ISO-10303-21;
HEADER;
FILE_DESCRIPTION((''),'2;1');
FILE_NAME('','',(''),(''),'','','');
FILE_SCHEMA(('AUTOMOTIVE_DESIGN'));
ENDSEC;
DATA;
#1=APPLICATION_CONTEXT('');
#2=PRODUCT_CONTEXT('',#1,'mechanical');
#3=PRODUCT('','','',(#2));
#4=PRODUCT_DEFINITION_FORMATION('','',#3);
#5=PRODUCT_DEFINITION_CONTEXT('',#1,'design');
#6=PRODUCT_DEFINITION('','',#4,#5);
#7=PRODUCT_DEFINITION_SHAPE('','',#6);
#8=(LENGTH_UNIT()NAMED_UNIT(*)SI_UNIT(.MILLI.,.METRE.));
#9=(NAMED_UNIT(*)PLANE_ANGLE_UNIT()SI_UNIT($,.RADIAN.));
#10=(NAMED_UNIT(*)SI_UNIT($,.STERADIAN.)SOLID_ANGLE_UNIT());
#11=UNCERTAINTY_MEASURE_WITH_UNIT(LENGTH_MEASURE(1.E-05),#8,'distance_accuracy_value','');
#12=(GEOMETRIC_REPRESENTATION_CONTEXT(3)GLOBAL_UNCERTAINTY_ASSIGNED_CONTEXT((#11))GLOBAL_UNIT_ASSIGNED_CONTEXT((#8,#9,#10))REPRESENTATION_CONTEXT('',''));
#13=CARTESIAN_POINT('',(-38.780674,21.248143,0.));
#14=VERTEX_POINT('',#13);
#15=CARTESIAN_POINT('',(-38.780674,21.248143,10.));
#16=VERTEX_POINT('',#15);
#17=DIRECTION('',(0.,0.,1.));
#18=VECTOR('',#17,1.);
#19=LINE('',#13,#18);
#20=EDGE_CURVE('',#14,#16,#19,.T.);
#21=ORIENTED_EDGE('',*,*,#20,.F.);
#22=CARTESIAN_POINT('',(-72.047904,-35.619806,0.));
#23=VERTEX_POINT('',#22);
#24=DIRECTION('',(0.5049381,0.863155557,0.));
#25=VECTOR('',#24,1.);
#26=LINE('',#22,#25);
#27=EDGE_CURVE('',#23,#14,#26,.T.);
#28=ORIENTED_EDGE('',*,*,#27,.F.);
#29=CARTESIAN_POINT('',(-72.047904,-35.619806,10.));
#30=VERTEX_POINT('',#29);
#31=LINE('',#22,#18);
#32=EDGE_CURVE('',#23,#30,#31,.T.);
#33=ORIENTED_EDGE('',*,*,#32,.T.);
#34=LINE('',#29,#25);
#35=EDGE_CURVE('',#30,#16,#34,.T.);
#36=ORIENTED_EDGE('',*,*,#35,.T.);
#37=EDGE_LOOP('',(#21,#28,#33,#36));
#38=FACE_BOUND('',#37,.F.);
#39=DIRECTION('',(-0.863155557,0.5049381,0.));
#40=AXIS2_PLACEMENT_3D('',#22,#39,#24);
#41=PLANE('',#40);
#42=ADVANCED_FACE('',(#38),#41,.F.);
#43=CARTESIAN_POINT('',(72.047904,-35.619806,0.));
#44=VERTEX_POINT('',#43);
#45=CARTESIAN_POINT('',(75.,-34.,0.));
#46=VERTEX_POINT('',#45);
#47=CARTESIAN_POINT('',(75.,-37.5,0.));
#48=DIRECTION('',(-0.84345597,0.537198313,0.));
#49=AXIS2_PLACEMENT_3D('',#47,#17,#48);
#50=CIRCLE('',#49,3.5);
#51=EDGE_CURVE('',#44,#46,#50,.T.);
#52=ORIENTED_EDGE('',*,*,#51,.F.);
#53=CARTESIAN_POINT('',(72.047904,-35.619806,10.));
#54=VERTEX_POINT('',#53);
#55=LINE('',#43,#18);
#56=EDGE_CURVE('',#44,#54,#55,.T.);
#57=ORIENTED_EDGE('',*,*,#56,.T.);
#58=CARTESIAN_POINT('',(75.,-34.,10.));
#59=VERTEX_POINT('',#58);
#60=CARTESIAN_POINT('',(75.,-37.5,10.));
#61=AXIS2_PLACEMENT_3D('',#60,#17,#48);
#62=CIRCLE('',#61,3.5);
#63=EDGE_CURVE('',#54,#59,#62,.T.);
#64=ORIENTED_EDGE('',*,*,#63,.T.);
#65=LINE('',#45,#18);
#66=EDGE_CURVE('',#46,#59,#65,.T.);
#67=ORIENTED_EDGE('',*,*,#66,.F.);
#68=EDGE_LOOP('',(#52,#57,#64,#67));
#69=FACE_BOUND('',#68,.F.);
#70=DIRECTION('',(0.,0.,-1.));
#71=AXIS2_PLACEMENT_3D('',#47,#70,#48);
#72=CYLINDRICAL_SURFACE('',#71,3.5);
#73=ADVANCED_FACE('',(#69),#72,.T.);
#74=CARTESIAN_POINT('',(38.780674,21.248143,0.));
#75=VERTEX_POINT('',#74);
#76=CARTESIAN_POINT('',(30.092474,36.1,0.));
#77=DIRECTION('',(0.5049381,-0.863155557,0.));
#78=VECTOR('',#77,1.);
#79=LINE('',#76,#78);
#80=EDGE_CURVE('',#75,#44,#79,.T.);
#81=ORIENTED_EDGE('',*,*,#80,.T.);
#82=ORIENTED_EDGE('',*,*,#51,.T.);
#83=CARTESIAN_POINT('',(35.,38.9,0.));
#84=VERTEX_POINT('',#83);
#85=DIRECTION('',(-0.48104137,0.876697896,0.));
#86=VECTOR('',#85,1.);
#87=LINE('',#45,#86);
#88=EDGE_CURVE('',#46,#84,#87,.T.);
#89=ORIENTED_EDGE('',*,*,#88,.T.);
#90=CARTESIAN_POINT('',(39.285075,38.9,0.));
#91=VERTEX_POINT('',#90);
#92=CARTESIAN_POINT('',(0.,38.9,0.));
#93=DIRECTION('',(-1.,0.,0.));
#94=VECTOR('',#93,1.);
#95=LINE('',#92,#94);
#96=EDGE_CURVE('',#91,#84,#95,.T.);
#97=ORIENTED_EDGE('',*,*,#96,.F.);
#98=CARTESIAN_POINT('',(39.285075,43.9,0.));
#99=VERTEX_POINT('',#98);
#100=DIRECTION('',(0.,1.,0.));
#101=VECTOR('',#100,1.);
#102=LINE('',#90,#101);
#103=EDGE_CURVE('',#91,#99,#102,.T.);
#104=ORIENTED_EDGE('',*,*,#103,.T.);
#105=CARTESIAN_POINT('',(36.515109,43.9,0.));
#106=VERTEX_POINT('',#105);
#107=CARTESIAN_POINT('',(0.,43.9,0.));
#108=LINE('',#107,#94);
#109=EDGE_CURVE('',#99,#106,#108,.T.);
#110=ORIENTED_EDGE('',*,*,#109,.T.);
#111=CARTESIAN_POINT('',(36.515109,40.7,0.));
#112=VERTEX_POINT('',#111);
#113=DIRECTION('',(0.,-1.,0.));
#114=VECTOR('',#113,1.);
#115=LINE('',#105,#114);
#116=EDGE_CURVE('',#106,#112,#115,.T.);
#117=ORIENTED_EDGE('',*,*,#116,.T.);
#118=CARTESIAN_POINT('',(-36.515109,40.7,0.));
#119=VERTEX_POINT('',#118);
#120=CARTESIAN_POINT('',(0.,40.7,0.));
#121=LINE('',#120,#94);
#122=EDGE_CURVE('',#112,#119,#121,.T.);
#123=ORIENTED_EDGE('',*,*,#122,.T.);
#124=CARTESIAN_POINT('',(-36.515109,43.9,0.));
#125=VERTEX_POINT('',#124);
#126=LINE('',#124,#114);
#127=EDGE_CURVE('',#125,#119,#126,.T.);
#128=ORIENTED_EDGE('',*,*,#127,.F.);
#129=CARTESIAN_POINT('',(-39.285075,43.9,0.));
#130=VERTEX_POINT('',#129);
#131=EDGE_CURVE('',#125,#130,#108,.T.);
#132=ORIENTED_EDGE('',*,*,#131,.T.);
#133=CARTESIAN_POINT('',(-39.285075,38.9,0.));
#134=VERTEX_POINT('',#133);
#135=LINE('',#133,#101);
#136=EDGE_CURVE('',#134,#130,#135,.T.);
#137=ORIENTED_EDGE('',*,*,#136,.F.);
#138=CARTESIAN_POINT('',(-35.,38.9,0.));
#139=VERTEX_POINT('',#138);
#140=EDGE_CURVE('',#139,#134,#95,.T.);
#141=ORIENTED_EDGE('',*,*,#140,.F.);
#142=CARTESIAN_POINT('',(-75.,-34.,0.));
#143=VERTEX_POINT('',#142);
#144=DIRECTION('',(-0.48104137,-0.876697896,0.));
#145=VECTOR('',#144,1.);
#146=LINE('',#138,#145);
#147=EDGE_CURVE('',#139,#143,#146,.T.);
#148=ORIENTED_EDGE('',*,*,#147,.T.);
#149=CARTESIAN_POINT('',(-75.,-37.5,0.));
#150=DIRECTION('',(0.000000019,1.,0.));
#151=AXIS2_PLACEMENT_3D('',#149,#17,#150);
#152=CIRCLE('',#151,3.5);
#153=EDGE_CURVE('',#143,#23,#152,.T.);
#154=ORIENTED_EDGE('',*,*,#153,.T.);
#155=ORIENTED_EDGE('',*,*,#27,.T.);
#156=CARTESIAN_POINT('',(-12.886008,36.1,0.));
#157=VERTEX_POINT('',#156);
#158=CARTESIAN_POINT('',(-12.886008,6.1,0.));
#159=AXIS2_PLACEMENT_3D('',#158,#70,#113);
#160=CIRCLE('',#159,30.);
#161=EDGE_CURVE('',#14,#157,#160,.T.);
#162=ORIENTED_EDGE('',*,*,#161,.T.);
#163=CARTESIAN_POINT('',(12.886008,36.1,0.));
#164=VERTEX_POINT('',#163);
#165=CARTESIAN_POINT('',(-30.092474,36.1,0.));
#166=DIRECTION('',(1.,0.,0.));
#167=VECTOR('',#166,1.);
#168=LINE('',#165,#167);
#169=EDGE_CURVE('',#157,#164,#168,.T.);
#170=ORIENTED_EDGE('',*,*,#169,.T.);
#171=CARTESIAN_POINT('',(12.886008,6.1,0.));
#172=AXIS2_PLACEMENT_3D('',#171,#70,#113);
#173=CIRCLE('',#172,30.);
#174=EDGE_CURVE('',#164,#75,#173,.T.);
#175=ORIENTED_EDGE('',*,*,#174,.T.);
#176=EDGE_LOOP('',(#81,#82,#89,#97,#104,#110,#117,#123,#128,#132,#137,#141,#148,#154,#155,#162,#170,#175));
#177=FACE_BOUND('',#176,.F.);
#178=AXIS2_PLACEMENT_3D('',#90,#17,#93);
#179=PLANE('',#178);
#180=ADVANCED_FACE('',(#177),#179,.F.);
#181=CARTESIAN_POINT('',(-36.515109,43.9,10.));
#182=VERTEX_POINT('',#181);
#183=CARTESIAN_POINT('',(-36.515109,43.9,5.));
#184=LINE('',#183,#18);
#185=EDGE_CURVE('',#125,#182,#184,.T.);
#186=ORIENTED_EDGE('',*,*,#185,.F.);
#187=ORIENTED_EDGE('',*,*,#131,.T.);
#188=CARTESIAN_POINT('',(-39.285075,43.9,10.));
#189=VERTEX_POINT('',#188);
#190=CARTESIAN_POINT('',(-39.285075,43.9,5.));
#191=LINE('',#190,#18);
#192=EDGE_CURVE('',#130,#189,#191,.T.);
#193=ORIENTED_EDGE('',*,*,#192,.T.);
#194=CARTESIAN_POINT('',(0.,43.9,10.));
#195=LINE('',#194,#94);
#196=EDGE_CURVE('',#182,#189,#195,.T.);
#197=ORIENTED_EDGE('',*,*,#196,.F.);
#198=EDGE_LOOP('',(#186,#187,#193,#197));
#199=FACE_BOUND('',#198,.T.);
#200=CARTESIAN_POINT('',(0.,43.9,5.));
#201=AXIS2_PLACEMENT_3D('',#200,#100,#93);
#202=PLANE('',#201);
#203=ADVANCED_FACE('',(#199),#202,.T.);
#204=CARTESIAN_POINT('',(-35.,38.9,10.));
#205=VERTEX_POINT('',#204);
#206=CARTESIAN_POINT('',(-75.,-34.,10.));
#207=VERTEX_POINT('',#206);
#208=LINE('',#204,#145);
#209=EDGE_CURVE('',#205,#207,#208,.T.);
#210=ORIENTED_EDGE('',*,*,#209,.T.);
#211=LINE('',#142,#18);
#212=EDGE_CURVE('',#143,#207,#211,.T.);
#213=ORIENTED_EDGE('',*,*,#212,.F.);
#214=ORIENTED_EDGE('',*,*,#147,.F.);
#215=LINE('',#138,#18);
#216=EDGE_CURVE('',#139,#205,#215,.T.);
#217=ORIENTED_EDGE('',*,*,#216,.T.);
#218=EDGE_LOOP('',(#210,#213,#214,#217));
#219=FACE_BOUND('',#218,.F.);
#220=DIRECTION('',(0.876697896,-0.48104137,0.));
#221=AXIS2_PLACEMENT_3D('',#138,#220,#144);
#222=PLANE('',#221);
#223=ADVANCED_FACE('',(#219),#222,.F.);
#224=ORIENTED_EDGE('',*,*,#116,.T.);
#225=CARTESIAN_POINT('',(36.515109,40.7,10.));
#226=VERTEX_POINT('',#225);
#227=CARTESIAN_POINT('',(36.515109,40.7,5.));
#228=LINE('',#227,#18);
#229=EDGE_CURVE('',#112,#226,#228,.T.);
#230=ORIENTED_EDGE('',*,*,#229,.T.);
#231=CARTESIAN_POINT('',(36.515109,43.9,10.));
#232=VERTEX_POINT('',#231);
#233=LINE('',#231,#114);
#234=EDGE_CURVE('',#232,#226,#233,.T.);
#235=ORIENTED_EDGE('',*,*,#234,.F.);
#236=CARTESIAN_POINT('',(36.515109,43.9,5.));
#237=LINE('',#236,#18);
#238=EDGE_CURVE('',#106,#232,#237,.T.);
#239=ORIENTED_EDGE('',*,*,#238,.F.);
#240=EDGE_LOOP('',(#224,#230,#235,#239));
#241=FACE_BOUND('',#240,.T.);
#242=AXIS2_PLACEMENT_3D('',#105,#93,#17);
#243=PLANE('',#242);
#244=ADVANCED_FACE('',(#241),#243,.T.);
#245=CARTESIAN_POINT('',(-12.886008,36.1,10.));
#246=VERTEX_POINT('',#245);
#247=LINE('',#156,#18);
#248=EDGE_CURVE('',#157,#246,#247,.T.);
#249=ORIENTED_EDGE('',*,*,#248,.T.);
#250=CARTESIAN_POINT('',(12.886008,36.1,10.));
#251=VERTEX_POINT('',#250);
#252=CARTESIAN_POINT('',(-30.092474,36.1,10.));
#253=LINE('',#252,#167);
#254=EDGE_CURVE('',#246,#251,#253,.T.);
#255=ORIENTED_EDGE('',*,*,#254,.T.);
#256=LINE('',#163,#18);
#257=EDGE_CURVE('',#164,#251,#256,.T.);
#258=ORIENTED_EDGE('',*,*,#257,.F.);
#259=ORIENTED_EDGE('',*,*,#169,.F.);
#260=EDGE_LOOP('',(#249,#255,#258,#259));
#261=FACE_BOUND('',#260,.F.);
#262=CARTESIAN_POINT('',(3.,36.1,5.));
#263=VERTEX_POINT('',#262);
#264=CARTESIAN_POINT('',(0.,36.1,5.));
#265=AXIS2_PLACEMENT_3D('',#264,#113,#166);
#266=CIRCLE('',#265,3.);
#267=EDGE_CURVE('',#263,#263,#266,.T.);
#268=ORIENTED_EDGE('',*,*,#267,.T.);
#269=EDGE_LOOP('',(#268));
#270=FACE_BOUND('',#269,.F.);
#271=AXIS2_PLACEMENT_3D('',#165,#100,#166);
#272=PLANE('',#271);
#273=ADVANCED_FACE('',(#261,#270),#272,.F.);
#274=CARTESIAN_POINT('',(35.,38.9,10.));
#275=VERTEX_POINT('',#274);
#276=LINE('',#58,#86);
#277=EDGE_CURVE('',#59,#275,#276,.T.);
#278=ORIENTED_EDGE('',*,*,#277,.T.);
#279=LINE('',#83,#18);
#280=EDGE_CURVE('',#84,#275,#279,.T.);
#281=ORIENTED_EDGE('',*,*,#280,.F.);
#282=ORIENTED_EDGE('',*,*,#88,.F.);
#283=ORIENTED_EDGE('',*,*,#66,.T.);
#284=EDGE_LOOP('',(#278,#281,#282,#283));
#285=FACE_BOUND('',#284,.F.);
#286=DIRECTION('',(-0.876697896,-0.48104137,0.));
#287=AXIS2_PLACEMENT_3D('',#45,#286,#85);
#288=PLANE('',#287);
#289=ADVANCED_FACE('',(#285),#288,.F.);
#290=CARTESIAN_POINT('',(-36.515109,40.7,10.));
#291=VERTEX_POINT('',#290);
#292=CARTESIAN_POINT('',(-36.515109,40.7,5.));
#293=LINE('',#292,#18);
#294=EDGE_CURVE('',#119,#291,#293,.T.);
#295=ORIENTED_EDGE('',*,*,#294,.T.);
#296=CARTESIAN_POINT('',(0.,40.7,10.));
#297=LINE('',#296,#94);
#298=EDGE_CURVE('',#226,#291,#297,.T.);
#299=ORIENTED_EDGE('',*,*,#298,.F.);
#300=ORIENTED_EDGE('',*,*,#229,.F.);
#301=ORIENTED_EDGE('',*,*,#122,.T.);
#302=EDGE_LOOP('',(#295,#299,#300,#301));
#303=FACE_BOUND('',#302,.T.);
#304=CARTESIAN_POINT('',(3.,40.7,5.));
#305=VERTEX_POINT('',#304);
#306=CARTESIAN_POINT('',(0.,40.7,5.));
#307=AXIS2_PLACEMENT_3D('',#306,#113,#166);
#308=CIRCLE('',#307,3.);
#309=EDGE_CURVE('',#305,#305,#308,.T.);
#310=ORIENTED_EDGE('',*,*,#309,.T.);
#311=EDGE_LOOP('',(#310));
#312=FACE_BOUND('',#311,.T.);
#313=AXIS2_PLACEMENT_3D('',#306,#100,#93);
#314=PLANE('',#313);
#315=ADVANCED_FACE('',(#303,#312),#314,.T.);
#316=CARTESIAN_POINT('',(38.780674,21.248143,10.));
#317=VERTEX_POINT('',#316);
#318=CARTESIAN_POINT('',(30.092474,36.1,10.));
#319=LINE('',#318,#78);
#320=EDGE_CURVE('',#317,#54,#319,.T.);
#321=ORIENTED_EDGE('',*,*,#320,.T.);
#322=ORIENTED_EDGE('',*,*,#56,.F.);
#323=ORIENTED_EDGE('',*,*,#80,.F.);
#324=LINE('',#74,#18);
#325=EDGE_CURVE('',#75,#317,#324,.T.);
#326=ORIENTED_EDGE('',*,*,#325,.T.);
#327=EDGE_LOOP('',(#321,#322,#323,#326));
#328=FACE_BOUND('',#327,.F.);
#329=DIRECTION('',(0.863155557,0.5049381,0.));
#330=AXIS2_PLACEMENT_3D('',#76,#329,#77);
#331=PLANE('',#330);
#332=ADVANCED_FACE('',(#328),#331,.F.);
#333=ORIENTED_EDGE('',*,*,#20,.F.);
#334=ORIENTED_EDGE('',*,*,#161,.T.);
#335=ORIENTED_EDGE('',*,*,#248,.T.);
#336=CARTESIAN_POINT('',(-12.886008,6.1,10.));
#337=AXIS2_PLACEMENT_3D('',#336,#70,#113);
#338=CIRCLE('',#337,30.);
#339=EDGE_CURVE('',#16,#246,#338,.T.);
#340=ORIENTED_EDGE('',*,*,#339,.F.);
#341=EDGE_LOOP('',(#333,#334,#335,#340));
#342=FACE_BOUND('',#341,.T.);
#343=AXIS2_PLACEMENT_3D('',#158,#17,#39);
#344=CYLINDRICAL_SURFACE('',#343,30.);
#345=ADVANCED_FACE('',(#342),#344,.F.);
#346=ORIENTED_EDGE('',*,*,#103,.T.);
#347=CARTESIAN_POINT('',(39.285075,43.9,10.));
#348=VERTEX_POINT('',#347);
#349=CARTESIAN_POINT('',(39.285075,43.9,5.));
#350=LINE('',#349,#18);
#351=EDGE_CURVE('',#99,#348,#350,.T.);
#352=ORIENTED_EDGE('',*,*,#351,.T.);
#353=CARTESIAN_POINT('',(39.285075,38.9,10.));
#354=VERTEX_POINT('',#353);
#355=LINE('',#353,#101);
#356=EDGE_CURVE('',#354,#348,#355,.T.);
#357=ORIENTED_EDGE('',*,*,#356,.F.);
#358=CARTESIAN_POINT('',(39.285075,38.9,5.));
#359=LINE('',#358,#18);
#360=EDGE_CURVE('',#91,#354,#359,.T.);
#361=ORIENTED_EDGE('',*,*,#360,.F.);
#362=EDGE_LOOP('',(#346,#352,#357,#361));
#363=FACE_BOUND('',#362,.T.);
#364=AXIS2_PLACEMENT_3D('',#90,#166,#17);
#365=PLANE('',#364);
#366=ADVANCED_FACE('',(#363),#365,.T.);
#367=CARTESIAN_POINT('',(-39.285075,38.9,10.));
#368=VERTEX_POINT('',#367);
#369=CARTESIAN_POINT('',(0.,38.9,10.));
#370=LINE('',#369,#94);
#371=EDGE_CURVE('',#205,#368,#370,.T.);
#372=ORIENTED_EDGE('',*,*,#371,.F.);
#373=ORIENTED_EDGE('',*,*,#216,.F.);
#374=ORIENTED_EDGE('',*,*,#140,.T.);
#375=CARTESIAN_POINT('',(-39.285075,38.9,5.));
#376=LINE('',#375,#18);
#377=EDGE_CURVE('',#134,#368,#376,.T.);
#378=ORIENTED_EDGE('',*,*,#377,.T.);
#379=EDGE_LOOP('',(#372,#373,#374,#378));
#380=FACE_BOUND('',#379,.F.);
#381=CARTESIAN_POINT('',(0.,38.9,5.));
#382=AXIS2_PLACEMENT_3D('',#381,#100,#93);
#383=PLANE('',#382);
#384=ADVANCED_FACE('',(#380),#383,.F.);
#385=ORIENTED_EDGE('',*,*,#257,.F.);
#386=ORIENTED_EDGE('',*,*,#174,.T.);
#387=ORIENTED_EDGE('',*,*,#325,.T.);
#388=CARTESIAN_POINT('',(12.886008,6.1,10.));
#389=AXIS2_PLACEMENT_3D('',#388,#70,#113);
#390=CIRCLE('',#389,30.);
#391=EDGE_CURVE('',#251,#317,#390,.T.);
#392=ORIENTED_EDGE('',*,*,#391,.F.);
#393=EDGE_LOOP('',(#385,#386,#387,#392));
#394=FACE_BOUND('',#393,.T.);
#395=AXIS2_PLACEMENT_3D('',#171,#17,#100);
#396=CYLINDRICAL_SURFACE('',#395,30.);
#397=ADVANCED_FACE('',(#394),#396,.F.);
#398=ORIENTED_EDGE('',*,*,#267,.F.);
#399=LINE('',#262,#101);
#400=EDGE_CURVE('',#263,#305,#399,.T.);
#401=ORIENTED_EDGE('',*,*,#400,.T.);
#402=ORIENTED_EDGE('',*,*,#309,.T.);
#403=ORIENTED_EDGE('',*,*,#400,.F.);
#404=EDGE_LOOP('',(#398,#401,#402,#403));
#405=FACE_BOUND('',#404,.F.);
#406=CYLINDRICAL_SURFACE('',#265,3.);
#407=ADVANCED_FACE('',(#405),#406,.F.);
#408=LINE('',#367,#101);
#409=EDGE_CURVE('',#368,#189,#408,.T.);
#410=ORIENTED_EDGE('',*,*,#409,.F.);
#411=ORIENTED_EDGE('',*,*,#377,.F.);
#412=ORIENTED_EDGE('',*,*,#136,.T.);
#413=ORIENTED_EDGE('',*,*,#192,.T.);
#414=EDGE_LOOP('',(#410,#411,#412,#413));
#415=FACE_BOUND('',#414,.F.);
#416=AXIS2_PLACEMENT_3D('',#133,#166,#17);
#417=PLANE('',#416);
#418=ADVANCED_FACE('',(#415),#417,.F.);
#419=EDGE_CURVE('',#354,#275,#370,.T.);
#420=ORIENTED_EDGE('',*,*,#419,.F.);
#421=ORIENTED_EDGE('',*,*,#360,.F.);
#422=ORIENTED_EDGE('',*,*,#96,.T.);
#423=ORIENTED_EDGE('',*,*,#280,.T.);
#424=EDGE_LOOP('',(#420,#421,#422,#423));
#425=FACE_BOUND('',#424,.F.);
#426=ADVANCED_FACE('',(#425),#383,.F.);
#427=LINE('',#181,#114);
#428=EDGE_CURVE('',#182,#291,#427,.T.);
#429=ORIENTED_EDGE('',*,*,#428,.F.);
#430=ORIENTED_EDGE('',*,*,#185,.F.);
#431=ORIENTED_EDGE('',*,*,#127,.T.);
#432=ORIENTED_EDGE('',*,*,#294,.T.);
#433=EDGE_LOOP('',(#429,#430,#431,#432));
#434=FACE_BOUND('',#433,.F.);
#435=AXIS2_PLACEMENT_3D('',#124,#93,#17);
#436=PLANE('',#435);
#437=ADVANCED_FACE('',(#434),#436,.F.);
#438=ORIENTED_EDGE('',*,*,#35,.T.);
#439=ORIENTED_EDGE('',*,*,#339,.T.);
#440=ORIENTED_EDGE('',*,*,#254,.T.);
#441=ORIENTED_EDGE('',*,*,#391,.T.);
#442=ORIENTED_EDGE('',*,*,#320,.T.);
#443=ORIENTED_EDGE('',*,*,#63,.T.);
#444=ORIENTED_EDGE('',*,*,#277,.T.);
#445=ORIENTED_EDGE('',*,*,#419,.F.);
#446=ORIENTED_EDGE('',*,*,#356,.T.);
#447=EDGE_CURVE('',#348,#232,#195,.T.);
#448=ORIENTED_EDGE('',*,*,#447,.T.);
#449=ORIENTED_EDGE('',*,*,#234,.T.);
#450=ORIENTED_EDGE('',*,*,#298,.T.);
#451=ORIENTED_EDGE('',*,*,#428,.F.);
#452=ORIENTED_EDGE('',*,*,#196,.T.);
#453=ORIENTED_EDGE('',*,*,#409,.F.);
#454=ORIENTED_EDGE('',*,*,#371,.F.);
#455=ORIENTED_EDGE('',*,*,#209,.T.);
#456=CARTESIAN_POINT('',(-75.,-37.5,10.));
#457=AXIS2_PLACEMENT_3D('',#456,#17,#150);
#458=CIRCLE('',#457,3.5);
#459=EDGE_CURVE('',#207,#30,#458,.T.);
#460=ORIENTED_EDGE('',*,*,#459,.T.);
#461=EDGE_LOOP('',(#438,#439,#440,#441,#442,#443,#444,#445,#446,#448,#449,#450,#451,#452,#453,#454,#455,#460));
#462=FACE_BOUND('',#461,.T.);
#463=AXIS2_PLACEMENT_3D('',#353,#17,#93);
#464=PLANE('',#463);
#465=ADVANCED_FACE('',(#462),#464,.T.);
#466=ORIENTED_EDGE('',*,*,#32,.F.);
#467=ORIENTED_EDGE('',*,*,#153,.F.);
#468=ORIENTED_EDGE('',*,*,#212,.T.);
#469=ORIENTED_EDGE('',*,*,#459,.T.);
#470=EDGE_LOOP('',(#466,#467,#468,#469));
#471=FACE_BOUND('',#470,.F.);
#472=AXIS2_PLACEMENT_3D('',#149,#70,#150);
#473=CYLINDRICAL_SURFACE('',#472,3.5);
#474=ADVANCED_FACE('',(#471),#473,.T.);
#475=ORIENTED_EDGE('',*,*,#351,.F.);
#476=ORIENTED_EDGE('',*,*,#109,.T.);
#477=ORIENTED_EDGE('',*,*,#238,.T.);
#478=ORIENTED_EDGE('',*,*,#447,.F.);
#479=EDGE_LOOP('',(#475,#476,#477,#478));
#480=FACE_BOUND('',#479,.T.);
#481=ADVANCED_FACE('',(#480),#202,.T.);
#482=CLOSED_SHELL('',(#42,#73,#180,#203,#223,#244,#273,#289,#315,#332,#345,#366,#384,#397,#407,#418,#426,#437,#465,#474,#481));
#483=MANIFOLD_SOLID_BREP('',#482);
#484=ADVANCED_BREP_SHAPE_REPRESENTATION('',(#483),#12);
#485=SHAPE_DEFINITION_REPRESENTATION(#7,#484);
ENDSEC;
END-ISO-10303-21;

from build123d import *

# Parameters (mm, degrees)
F1_DEPTH = 10
F2_R     = 30
F3_W     = 78.57015
F3_H     = 10
F4_DEPTH = 5
F5_W     = 73.030218
F5_H     = 10
F6_DEPTH = 3.2
F7_R     = 3
F8_DEPTH = 7.801


with BuildPart() as f1:
    # F0 (on Top) → F1 (new body)
    with BuildSketch(Plane.XY):
        with BuildLine():
            Line((-35, 38.9), (-75, -34))
            ThreePointArc((-75, -34), (-76.683645, -40.568443), (-72.047904, -35.619806))
            Line((-72.047904, -35.619806), (-30.092474, 36.1))
            Line((-30.092474, 36.1), (30.092474, 36.1))
            Line((30.092474, 36.1), (72.047904, -35.619806))
            ThreePointArc((72.047904, -35.619806), (76.683645, -40.568443), (75, -34))
            Line((75, -34), (35, 38.9))
            Line((35, 38.9), (-35, 38.9))
        make_face()
    extrude(amount=F1_DEPTH)

    # F2
    f2_edges = [f1.edges().sort_by_distance(p)[0] for p in [
        (-30.092474, 36.1, 5),
        (30.092474, 36.1, 5),
    ]]
    fillet(f2_edges, radius=F2_R)

    # F3 (on face) → F4 (join)
    with BuildSketch(Plane(origin=(0, 38.9, 0), x_dir=(-1, 0, 0), z_dir=(0, 1, 0))):
        with Locations((0, 5)):
            Rectangle(F3_W, F3_H)
    extrude(amount=F4_DEPTH)

    # F5 (on face) → F6 (cut)
    with BuildSketch(Plane(origin=(0, 43.9, 0), x_dir=(-1, 0, 0), z_dir=(0, 1, 0))):
        with Locations((0, 5)):
            Rectangle(F5_W, F5_H)
    extrude(amount=-F6_DEPTH, mode=Mode.SUBTRACT)

    # F7 (on face) → F8 (cut, through all)
    with BuildSketch(Plane.XZ.offset(-36.1)):
        with Locations((0, 5)):
            Circle(F7_R)
    extrude(amount=-F8_DEPTH, mode=Mode.SUBTRACT)


solid = f1.part
